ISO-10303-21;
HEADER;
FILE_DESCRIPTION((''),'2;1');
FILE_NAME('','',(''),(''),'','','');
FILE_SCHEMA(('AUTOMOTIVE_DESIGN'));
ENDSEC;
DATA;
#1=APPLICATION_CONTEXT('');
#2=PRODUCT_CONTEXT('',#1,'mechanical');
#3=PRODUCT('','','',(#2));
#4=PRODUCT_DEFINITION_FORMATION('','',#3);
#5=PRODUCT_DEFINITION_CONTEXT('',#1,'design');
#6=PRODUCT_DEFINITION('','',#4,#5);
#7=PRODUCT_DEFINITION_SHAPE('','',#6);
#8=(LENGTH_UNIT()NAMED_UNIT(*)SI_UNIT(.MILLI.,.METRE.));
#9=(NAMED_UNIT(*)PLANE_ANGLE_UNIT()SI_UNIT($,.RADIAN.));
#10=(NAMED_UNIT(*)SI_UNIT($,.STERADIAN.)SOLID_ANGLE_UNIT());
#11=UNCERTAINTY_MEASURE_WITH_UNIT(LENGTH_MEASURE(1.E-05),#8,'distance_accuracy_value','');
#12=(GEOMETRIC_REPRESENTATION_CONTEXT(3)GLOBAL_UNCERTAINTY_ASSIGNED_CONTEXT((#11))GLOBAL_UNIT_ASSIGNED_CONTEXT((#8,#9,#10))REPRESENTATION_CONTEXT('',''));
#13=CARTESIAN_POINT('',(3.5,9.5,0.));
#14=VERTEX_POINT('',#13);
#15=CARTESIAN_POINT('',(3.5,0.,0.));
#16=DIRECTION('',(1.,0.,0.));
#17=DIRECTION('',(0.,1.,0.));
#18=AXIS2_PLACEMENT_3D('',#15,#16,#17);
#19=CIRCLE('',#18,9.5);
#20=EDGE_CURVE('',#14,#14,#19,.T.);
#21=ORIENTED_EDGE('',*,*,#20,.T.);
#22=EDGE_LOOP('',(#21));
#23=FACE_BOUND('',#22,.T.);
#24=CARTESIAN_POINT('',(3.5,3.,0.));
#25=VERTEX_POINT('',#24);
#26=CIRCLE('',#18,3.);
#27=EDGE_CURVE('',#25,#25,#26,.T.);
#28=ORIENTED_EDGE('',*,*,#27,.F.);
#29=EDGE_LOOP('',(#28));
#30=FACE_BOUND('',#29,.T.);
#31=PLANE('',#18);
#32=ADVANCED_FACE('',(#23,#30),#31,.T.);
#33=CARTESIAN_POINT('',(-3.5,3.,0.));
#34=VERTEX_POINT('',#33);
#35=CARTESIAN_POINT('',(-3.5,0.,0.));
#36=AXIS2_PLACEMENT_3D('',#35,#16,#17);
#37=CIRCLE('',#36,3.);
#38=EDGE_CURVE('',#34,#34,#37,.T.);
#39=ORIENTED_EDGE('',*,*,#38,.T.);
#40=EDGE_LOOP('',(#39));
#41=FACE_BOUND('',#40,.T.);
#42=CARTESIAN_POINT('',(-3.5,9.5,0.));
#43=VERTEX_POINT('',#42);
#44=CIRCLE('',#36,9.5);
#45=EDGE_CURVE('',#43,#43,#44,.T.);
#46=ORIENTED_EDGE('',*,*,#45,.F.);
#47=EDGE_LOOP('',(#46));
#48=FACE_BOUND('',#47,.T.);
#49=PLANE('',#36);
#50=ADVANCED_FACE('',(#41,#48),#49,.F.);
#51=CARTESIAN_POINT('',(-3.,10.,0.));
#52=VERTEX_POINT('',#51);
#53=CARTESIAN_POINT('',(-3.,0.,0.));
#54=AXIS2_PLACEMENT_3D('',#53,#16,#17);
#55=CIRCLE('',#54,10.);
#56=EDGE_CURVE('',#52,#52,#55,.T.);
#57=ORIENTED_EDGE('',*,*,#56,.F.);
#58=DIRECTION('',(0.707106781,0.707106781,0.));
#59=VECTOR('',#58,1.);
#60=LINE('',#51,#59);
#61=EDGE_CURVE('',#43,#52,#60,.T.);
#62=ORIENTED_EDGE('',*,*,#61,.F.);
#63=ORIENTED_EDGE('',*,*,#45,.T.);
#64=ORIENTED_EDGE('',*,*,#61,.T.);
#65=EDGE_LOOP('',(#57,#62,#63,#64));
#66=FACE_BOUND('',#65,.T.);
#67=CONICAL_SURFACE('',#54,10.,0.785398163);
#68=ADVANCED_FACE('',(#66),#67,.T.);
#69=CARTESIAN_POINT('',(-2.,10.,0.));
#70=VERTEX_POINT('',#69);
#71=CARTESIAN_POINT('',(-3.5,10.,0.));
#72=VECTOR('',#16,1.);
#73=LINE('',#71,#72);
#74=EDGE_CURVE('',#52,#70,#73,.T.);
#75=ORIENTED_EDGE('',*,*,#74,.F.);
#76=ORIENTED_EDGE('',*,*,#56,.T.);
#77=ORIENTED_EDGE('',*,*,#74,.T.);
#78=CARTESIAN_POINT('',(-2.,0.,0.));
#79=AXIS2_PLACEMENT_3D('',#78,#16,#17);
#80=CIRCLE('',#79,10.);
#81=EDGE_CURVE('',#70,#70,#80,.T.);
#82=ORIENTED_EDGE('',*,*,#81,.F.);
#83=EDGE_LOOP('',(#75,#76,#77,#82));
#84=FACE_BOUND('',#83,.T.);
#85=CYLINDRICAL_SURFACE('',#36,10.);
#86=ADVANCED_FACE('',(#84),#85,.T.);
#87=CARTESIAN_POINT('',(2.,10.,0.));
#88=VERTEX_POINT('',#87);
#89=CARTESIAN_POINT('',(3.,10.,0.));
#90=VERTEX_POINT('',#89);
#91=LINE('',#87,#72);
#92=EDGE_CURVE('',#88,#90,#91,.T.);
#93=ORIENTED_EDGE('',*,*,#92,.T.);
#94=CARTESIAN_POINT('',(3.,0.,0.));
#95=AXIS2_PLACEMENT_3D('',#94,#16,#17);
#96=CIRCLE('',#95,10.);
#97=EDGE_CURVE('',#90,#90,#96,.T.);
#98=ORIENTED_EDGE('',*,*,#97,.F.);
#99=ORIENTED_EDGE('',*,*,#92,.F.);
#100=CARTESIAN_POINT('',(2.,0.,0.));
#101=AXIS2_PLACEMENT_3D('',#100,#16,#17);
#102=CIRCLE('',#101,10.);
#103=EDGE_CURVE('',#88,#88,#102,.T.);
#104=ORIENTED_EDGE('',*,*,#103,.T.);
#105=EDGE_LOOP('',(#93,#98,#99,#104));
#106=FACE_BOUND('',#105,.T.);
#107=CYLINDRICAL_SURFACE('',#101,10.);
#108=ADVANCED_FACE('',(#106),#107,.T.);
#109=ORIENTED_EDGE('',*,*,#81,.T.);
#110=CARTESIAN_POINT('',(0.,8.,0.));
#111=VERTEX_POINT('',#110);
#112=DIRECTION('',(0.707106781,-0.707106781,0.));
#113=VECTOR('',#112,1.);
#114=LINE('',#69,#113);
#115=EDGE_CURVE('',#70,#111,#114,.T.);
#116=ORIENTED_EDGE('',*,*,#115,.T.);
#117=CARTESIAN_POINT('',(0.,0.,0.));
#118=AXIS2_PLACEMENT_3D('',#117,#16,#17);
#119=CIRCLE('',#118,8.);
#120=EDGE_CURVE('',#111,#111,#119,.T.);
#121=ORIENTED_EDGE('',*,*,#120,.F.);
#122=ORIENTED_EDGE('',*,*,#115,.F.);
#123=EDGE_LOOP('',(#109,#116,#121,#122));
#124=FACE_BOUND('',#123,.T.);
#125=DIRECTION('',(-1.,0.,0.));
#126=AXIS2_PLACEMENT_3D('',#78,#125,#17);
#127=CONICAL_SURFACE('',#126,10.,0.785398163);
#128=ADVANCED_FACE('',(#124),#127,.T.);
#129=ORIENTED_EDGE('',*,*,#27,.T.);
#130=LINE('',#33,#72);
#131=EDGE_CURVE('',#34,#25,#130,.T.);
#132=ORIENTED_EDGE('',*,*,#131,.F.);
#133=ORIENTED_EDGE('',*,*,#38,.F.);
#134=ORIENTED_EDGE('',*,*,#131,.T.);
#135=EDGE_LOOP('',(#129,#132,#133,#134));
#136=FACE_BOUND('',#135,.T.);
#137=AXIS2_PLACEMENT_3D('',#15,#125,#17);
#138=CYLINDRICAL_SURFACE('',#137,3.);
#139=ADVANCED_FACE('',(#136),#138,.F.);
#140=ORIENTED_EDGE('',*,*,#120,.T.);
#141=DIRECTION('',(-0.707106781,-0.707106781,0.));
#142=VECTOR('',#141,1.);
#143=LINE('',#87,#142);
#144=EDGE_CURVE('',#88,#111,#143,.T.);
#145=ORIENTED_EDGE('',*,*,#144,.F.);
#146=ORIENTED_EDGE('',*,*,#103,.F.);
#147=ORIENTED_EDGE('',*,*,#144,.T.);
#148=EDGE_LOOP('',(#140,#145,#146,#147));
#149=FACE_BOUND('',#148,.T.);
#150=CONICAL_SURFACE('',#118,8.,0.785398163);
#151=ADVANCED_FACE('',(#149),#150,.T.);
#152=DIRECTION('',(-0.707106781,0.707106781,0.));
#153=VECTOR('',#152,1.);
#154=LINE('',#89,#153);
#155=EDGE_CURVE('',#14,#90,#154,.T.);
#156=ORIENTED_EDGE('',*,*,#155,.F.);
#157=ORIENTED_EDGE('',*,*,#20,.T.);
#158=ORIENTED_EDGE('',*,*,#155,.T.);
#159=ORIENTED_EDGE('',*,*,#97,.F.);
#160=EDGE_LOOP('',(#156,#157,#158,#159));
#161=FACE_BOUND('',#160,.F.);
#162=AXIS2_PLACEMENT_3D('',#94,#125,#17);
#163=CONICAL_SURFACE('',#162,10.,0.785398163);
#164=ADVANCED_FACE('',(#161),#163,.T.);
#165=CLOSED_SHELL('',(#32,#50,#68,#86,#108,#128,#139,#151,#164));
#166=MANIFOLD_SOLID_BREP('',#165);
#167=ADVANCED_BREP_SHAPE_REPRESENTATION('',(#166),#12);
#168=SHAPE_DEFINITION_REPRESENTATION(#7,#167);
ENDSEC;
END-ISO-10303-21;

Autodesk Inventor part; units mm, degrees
ref_plane "YZ Plane" through (0, 0, 0) normal (1, 0, 0) x (0, 1, 0)
ref_plane "XZ Plane" through (0, 0, 0) normal (0, 1, 0) x (-1, 0, 0)
ref_plane "XY Plane" through (0, 0, 0) normal (0, 0, 1) x (1, 0, 0)
sketch "Skizze1" plane through (0, 0, 0) normal (0, 0, 1) x (1, 0, 0)
  line L0 (-4.9, 0) -> (4.9, 0) projected
  line L1 (0, -2) -> (0, 12) projected
  line L2 (3.5, 10) -> (3.5, 3)
  line L3 (3.5, 3) -> (-3.5, 3)
  line L4 (-3.5, 3) -> (-3.5, 10)
  line L5 (-2, 10) -> (0, 8)
  line L6 (0, 8) -> (2, 10)
  line L7 (-3.5, 10) -> (-2, 10)
  line L8 (2, 10) -> (3.5, 10)
  circle A0 centre (0, 8.3536) radius 0.25
  point P0 (0, 0)
  dimension "d0" = 6
  dimension "d1" = 20
  dimension "d2" = 7
  dimension "d3" = 90
  dimension "d4" = 16
  dimension "d9" = 0.5
  dimension "d10" = 16.7071
revolve "Umdrehung1" add sketch "Skizze1" angle 360 about axis through (-10, 0, 0) along (1, 0, 0) contours L3 L4 L7 L5 L1 | L1 L6 L8 L2 L3
chamfer "Fase1" distance 0.5 angle 45 2 edges at (-3.5, -10, 0) (3.5, -10, 0)
properties part number "13_0204_050"
